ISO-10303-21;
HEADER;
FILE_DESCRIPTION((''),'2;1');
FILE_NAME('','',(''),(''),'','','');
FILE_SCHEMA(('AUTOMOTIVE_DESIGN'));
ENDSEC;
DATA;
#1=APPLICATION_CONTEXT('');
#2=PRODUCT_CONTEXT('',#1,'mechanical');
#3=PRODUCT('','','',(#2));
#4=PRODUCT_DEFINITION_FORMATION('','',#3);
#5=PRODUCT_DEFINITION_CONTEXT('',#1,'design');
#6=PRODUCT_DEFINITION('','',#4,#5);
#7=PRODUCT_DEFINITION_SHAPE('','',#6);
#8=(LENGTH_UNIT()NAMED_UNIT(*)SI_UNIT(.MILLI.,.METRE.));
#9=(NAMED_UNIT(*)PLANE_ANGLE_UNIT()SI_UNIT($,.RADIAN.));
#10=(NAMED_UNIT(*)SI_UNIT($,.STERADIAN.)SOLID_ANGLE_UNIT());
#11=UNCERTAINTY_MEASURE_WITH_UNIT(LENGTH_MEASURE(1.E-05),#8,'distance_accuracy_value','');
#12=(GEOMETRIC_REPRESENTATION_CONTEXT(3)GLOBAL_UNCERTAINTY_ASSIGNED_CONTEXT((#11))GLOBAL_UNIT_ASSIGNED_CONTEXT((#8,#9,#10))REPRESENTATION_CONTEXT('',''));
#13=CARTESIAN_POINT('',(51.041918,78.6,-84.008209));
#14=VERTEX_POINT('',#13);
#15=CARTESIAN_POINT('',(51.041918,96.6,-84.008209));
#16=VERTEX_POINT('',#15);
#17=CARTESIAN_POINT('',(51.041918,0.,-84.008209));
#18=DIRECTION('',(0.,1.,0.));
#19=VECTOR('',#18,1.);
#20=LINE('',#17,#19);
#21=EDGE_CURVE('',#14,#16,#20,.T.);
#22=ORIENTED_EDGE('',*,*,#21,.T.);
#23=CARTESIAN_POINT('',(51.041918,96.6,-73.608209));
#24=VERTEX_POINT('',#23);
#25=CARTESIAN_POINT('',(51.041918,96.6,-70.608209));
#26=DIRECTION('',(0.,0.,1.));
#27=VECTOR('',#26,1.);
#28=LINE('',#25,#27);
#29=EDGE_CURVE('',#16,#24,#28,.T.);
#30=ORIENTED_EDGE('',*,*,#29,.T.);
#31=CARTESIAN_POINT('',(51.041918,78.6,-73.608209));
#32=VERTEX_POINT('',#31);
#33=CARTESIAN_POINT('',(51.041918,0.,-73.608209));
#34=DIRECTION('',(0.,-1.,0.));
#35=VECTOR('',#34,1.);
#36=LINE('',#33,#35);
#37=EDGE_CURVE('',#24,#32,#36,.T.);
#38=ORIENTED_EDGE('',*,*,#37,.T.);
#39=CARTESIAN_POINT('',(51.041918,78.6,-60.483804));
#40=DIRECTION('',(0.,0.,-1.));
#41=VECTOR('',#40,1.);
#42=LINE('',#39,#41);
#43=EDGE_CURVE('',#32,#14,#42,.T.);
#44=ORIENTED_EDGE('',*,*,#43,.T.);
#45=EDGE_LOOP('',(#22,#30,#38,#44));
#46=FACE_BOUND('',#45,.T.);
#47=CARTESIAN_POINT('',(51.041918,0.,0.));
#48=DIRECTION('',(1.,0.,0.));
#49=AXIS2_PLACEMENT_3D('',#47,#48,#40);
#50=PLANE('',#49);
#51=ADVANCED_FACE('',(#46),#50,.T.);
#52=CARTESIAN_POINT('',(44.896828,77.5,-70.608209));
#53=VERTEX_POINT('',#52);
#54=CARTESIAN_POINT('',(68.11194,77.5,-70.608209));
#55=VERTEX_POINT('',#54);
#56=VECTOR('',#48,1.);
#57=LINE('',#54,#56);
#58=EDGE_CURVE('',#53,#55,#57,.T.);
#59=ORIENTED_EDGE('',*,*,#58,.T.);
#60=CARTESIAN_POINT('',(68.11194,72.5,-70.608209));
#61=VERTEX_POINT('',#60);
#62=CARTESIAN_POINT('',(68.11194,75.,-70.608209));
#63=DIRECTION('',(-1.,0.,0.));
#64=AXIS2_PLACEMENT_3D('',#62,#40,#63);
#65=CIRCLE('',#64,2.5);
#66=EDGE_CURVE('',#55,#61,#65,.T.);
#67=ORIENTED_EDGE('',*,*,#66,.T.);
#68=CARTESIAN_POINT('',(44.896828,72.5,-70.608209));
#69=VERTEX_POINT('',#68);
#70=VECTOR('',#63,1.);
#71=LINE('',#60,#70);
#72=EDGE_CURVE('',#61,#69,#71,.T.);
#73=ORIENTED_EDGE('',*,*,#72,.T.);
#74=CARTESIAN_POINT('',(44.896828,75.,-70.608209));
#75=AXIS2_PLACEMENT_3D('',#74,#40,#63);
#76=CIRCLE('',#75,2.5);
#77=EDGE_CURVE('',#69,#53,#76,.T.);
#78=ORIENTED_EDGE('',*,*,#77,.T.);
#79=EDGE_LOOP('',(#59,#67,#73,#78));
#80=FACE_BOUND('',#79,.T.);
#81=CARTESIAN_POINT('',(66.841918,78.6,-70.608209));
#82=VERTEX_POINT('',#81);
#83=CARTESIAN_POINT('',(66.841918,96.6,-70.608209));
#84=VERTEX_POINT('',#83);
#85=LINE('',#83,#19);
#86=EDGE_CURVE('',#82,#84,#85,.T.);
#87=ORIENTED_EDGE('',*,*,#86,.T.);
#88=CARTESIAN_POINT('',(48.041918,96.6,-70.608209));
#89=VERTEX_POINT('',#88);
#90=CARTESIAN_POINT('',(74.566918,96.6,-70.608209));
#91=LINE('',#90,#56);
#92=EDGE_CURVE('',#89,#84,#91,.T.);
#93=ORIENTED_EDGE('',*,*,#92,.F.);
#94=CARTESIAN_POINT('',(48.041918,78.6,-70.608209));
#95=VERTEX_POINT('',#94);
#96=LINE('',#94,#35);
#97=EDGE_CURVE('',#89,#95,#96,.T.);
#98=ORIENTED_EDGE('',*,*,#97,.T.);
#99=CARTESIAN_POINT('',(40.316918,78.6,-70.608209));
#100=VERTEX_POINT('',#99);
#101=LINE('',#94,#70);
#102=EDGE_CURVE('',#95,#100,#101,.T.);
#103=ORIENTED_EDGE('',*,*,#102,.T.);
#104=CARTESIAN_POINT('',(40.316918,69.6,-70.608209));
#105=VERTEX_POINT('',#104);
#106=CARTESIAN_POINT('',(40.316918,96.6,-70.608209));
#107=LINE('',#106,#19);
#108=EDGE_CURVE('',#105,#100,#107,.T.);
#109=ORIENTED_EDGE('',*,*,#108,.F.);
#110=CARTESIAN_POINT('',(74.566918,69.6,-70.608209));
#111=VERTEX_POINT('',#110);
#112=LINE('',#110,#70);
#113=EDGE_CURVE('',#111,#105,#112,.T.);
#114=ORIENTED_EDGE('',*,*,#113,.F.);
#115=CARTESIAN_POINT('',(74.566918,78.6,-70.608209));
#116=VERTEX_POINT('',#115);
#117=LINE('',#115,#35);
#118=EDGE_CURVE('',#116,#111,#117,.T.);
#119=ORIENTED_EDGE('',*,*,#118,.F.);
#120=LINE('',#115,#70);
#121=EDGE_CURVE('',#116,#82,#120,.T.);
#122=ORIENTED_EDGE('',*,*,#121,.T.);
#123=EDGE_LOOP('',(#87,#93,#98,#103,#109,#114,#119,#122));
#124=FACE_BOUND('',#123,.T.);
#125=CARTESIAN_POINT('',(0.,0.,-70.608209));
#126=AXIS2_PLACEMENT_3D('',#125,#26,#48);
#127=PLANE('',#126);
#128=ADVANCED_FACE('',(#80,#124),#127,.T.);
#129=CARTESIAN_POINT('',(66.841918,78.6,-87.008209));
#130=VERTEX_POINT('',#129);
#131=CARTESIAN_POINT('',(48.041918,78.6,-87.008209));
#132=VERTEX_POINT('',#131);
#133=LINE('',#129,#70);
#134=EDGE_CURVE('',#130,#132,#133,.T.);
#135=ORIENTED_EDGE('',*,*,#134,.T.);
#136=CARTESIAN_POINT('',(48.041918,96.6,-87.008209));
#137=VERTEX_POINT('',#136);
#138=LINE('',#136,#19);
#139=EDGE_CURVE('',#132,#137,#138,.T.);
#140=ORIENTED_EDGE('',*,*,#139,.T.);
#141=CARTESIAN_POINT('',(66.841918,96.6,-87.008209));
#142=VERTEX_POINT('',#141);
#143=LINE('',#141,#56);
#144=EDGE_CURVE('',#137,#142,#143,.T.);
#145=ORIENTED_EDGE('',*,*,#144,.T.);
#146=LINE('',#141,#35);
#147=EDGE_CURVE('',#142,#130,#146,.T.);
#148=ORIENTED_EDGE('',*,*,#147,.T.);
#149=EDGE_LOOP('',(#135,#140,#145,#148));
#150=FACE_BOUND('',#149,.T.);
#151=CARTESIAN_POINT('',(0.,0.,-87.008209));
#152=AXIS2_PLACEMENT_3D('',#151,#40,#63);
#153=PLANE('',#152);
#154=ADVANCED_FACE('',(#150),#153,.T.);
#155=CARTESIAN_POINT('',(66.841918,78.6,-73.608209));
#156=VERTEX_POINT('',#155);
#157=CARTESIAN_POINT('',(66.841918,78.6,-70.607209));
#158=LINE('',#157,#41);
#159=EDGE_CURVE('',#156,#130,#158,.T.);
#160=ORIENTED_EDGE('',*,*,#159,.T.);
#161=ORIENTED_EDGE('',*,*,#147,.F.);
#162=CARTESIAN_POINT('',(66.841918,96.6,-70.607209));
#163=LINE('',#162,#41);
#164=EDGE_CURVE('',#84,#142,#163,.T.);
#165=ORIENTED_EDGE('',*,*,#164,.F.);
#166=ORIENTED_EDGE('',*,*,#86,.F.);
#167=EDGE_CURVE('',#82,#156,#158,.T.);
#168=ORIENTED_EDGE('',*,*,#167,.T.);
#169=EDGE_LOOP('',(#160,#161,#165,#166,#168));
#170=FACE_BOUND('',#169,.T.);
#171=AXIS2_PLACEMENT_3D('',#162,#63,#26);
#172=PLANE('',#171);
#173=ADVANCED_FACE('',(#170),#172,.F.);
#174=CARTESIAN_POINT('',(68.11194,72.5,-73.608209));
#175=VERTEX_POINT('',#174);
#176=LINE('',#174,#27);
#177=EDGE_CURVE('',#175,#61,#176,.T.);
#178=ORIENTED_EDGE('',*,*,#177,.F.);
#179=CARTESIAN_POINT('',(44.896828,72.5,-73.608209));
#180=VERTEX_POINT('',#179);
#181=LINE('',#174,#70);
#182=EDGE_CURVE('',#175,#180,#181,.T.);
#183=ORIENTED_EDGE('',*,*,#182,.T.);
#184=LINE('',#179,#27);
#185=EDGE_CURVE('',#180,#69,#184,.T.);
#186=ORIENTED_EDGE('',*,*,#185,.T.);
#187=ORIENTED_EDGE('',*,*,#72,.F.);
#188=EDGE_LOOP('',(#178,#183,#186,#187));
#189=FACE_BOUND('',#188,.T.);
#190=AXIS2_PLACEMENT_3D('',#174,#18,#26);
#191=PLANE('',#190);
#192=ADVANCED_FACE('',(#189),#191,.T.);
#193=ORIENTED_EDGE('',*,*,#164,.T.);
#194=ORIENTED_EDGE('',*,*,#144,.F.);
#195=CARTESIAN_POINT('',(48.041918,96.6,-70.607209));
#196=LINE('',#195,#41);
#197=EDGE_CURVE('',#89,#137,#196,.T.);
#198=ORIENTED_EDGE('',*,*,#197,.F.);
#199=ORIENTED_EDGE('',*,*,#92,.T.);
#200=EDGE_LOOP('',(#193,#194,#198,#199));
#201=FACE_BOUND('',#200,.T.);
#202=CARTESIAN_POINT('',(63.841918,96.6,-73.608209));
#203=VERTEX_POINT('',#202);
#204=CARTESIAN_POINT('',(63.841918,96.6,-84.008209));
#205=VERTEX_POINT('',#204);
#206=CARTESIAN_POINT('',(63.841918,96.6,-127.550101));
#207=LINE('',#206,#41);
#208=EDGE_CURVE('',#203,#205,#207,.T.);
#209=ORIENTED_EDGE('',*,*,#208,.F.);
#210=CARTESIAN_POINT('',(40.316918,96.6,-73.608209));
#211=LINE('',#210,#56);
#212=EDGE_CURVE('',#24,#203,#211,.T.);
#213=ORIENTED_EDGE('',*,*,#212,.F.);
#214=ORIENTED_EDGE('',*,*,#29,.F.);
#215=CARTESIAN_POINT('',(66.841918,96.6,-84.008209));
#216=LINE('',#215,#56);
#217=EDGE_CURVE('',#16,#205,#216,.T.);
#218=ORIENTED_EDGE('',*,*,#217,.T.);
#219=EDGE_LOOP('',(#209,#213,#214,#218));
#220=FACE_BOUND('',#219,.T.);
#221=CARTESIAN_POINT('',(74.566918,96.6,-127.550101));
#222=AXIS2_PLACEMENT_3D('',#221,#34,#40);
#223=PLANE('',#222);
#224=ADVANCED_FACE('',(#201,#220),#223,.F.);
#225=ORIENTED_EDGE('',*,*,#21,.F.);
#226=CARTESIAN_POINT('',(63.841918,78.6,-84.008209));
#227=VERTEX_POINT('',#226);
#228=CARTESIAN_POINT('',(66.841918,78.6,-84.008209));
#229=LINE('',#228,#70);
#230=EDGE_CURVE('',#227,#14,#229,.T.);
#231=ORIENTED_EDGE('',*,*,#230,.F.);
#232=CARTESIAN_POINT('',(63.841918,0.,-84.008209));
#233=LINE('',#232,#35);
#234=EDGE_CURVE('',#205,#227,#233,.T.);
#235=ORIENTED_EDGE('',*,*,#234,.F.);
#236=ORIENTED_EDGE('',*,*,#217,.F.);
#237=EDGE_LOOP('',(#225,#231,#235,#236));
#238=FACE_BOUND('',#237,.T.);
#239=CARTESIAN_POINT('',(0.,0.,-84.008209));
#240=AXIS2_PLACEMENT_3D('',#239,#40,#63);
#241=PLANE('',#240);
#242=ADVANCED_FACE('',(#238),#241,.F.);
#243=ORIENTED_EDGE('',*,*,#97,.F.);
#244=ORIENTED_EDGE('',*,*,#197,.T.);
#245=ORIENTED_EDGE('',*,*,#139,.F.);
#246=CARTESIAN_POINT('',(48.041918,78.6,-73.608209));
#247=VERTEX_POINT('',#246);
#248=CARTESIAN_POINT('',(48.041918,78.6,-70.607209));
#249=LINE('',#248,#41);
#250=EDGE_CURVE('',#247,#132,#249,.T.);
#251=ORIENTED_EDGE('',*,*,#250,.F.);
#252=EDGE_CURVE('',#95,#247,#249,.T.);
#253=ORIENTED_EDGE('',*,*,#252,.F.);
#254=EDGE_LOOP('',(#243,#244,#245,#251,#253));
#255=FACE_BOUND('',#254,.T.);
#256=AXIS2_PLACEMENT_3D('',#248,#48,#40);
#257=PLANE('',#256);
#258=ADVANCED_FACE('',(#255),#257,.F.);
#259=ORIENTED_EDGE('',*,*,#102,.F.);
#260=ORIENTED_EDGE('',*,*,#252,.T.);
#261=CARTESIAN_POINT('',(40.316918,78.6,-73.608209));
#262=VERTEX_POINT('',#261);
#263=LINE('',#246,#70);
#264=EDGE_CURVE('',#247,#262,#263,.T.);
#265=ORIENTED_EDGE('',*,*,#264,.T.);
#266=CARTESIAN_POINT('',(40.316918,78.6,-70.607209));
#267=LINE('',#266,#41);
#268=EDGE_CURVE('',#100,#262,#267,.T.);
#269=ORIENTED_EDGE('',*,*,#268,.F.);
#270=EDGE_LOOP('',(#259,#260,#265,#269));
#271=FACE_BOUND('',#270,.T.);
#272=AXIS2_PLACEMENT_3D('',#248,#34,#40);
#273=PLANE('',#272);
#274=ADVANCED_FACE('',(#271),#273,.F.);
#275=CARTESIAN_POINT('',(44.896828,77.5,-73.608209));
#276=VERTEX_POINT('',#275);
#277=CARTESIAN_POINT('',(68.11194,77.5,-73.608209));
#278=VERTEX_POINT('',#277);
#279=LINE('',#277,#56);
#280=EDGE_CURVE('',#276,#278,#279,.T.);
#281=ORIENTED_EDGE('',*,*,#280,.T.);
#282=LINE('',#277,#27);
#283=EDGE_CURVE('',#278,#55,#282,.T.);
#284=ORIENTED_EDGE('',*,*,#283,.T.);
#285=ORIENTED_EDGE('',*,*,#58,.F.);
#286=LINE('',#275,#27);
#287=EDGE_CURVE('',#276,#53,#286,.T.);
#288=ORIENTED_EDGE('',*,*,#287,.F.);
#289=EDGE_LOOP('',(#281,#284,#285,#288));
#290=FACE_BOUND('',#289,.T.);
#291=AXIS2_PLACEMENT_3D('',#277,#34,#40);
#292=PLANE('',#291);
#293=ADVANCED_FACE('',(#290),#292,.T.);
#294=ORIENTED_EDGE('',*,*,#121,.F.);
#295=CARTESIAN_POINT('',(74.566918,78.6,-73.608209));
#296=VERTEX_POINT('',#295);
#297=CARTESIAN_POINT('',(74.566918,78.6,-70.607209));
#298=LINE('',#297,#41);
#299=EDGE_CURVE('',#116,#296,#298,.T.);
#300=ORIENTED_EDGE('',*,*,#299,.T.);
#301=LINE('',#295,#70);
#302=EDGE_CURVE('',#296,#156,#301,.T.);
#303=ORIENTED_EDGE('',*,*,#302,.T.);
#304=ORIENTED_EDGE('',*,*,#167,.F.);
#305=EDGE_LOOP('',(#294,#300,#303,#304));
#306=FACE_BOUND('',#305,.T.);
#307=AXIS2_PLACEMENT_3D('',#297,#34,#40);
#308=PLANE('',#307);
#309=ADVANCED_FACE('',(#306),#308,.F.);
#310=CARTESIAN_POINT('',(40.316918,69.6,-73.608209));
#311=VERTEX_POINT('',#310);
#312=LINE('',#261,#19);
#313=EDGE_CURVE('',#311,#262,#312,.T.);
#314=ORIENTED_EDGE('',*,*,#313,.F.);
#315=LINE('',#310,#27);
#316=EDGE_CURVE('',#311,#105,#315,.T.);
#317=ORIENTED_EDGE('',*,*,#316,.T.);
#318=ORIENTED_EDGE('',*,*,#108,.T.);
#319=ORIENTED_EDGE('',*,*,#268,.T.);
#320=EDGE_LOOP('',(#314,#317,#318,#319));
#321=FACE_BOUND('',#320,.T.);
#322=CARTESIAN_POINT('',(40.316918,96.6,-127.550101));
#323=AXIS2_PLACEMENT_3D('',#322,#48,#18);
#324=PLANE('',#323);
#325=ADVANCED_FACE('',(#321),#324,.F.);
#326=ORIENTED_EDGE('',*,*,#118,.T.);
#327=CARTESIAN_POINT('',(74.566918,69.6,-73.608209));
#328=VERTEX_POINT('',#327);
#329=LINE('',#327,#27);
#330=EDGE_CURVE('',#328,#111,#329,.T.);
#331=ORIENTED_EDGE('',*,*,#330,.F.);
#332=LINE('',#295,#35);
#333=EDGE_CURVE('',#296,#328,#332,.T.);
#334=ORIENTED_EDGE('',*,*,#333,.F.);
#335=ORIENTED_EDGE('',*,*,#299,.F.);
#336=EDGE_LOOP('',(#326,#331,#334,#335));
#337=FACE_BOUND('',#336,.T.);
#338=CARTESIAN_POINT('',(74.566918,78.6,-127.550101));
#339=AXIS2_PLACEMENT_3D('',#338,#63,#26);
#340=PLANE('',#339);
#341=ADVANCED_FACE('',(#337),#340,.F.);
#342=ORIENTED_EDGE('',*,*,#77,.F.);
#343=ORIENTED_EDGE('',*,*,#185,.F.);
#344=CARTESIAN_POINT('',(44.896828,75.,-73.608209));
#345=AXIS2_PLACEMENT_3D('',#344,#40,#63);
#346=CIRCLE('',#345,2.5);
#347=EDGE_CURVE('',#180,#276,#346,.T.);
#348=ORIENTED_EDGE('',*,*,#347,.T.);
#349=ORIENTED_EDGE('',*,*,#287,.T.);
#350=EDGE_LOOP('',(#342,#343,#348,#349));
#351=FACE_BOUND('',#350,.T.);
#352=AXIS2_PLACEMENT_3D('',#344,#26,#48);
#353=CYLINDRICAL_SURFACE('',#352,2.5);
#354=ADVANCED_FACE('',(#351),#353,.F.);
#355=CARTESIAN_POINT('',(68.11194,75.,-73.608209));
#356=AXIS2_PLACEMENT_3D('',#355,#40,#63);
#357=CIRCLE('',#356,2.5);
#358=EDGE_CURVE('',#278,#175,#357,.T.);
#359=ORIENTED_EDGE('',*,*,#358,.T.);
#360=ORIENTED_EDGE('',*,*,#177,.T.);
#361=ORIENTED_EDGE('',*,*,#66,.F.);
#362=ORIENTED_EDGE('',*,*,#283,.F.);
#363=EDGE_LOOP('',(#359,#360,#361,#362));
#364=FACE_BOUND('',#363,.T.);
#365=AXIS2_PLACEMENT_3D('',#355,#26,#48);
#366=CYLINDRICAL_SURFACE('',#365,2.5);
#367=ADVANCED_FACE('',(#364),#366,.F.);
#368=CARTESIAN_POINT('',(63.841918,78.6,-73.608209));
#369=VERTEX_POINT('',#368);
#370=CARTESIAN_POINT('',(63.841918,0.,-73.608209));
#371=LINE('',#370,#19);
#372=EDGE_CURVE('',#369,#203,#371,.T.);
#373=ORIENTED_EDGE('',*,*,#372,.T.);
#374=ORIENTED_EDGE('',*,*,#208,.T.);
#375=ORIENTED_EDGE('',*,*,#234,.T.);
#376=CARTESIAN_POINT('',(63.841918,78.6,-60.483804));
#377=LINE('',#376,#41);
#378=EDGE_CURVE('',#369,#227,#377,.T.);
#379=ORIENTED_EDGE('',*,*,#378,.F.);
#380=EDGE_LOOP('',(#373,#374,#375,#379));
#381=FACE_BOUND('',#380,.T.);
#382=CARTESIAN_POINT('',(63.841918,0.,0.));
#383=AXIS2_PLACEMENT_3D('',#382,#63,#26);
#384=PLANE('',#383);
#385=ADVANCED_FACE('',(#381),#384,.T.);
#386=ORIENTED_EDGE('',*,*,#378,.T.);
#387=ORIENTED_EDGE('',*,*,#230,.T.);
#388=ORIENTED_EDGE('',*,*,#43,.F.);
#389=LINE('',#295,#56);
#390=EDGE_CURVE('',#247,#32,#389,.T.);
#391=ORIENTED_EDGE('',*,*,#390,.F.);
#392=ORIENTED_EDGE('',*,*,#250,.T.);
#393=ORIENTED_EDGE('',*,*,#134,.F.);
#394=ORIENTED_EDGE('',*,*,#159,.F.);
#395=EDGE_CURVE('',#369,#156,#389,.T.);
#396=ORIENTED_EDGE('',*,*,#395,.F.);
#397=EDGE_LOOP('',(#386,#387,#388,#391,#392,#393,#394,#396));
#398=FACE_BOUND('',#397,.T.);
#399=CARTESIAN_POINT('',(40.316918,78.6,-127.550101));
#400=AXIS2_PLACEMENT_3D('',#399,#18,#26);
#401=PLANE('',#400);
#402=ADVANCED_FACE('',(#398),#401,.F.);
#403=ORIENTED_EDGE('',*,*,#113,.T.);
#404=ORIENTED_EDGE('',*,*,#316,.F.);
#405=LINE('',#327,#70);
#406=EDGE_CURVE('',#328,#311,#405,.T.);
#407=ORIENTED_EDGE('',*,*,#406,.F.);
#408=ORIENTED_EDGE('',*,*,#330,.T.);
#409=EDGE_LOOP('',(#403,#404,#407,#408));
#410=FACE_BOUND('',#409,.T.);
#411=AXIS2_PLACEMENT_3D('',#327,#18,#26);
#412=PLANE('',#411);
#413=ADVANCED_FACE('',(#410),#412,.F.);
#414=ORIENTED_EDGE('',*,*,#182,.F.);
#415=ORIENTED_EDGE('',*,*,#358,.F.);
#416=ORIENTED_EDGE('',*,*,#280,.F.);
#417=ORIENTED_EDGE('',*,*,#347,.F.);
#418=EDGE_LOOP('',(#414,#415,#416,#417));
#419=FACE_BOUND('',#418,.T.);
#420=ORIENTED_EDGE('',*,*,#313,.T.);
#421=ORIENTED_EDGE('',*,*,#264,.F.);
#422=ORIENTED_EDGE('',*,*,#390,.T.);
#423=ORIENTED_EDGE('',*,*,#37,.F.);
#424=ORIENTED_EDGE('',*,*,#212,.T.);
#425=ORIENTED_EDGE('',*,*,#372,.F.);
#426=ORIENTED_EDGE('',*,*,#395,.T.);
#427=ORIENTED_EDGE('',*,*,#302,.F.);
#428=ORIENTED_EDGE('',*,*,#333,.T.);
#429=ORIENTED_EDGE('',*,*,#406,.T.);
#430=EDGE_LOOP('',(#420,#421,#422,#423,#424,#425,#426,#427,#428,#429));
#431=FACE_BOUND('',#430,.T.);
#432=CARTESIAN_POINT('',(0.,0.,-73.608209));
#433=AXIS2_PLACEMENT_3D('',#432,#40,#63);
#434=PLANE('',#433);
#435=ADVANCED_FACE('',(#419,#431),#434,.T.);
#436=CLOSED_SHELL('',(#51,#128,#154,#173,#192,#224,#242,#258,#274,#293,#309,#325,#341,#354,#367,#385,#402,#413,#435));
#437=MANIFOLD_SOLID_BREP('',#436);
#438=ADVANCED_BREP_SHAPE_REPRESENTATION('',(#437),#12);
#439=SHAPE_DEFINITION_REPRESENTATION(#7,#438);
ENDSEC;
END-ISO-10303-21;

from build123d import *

# Parameters (mm, degrees)
BOSS_EXTRUDE1_DEPTH = 17.85
SKETCH5_R           = 1
CUT_EXTRUDE1_DEPTH  = 10
SKETCH6_W           = 34.25
SKETCH6_H           = 9
BOSS_EXTRUDE2_DEPTH = 3
SKETCH7_W           = 17.85
SKETCH7_H           = 15.1
BOSS_EXTRUDE3_DEPTH = 5.225
BOSS_EXTRUDE4_START = 23.25
SKETCH7_3_W         = 17.85
SKETCH7_3_H         = 15.1
BOSS_EXTRUDE4_DEPTH = 5.225
CUT_EXTRUDE2_REACH  = 125.33
SKETCH8_W           = 7.725
SKETCH8_H           = 18
SKETCH9_W           = 34.25
SKETCH9_H           = 3
BOSS_EXTRUDE5_DEPTH = 18
SKETCH10_W          = 12.8
SKETCH10_H          = 2.9
CUT_EXTRUDE3_DEPTH  = 14.85
CUT_EXTRUDE4_REACH  = 124.932
SKETCH11_W          = 7.725
SKETCH11_H          = 18
SKETCH12_W          = 18.8
SKETCH12_H          = 18
CUT_EXTRUDE5_DEPTH  = 4.45
SKETCH13_W          = 18.8
SKETCH13_H          = 18
BOSS_EXTRUDE6_DEPTH = 3


with BuildPart() as part:
    # Sketch4 → Boss-Extrude1 (new body)
    with BuildSketch(Plane(origin=(0, 0, -70.608208955), x_dir=(-1, 0, 0), z_dir=(0, 0, -1))):
        Polygon((-69.066917791, 81.5), (-45.816917791, 81.5), (-45.816917791, 96.6), (-40.316917791, 96.6), (-40.316917791, 78.6), (-74.566917791, 78.6), (-74.566917791, 96.6), (-69.066917791, 96.6), align=None)
    extrude(amount=BOSS_EXTRUDE1_DEPTH)

    # Sketch5 → Cut-Extrude1 (cut)
    with BuildSketch(Plane(origin=(0, 0, -88.458208955), x_dir=(-1, 0, 0), z_dir=(0, 0, -1))):
        with Locations((-43.741917791, 88)):
            Circle(SKETCH5_R)
        with Locations((-71.141917791, 88)):
            Circle(SKETCH5_R)
    extrude(amount=-CUT_EXTRUDE1_DEPTH, mode=Mode.SUBTRACT)

    # Sketch6 → Boss-Extrude2 (add)
    with BuildSketch(Plane(origin=(0, 0, -70.608208955), x_dir=(-1, 0, 0), z_dir=(0, 0, -1))):
        with Locations((-57.441917791, 74.1)):
            Rectangle(SKETCH6_W, SKETCH6_H)
        with BuildLine():
            Line((-68.111940299, 77.5), (-44.896828216, 77.5))
            ThreePointArc((-44.896828216, 77.5), (-42.396828216, 75), (-44.896828216, 72.5))
            Line((-44.896828216, 72.5), (-68.111940299, 72.5))
            ThreePointArc((-68.111940299, 72.5), (-70.611940299, 75), (-68.111940299, 77.5))
        make_face(mode=Mode.SUBTRACT)
    extrude(amount=BOSS_EXTRUDE2_DEPTH)

    # Sketch7 → Boss-Extrude3 (add)
    with BuildSketch(Plane(origin=(45.816917791, 0, 0), x_dir=(0, 0, -1), z_dir=(1, 0, 0))):
        with Locations((79.533208955, 89.05)):
            Rectangle(SKETCH7_W, SKETCH7_H)
    extrude(amount=BOSS_EXTRUDE3_DEPTH)

    # Sketch7<3> → Boss-Extrude4 (add)
    with BuildSketch(Plane(origin=(45.816917791, 0, 0), x_dir=(0, 0, -1), z_dir=(1, 0, 0)).offset(BOSS_EXTRUDE4_START)):
        with Locations((79.533208955, 89.05)):
            Rectangle(SKETCH7_3_W, SKETCH7_3_H)
    extrude(amount=-BOSS_EXTRUDE4_DEPTH)

    # Sketch8 → Cut-Extrude2 (cut, up to next)
    with BuildSketch(Plane(origin=(0, 0, -88.458208955), x_dir=(-1, 0, 0), z_dir=(0, 0, -1)), mode=Mode.PRIVATE) as cut_extrude2_sk1:
        with Locations((-70.704417791, 87.6)):
            Rectangle(SKETCH8_W, SKETCH8_H)
    cut_extrude2_tool1 = extrude(cut_extrude2_sk1.sketch, amount=-CUT_EXTRUDE2_REACH, mode=Mode.PRIVATE) & part.part
    # Sketch8 → Cut-Extrude2 (cut, up to next)
    with BuildSketch(Plane(origin=(0, 0, -88.458208955), x_dir=(-1, 0, 0), z_dir=(0, 0, -1)), mode=Mode.PRIVATE) as cut_extrude2_sk2:
        with Locations((-44.179417791, 87.6)):
            Rectangle(SKETCH8_W, SKETCH8_H)
    cut_extrude2_tool2 = extrude(cut_extrude2_sk2.sketch, amount=-CUT_EXTRUDE2_REACH, mode=Mode.PRIVATE) & part.part
    add(cut_extrude2_tool1.solids().sort_by_distance((70.704418, 87.6, -88.458209))[0], mode=Mode.SUBTRACT)
    add(cut_extrude2_tool2.solids().sort_by_distance((44.179418, 87.6, -88.458209))[0], mode=Mode.SUBTRACT)

    # Sketch9 → Boss-Extrude5 (add)
    with BuildSketch(Plane(origin=(0, 78.6, 0), x_dir=(1, 0, 0), z_dir=(0, 1, 0))):
        with Locations((57.441917791, 72.108208955)):
            Rectangle(SKETCH9_W, SKETCH9_H)
    extrude(amount=BOSS_EXTRUDE5_DEPTH)

    # Sketch10 → Cut-Extrude3 (cut)
    with BuildSketch(Plane(origin=(0, 0, -88.458208955), x_dir=(-1, 0, 0), z_dir=(0, 0, -1))):
        with Locations((-57.441917791, 80.05)):
            Rectangle(SKETCH10_W, SKETCH10_H)
    extrude(amount=-CUT_EXTRUDE3_DEPTH, mode=Mode.SUBTRACT)

    # Sketch11 → Cut-Extrude4 (cut, up to next)
    with BuildSketch(Plane(origin=(0, 0, -73.608208955), x_dir=(-1, 0, 0), z_dir=(0, 0, -1)), mode=Mode.PRIVATE) as cut_extrude4_sk1:
        with Locations((-70.704417791, 87.6)):
            Rectangle(SKETCH11_W, SKETCH11_H)
    cut_extrude4_tool1 = extrude(cut_extrude4_sk1.sketch, amount=-CUT_EXTRUDE4_REACH, mode=Mode.PRIVATE) & part.part
    # Sketch11 → Cut-Extrude4 (cut, up to next)
    with BuildSketch(Plane(origin=(0, 0, -73.608208955), x_dir=(-1, 0, 0), z_dir=(0, 0, -1)), mode=Mode.PRIVATE) as cut_extrude4_sk2:
        with Locations((-44.179417791, 87.6)):
            Rectangle(SKETCH11_W, SKETCH11_H)
    cut_extrude4_tool2 = extrude(cut_extrude4_sk2.sketch, amount=-CUT_EXTRUDE4_REACH, mode=Mode.PRIVATE) & part.part
    add(cut_extrude4_tool1.solids().sort_by_distance((70.704418, 87.6, -73.608209))[0], mode=Mode.SUBTRACT)
    add(cut_extrude4_tool2.solids().sort_by_distance((44.179418, 87.6, -73.608209))[0], mode=Mode.SUBTRACT)

    # Sketch12 → Cut-Extrude5 (cut)
    with BuildSketch(Plane(origin=(0, 0, -88.458208955), x_dir=(-1, 0, 0), z_dir=(0, 0, -1))):
        with Locations((-57.441917791, 87.6)):
            Rectangle(SKETCH12_W, SKETCH12_H)
    extrude(amount=-CUT_EXTRUDE5_DEPTH, mode=Mode.SUBTRACT)

    # Sketch13 → Boss-Extrude6 (add)
    with BuildSketch(Plane(origin=(0, 0, -84.008208955), x_dir=(-1, 0, 0), z_dir=(0, 0, -1))):
        with Locations((-57.441917791, 87.6)):
            Rectangle(SKETCH13_W, SKETCH13_H)
    extrude(amount=BOSS_EXTRUDE6_DEPTH)


solid = part.part
